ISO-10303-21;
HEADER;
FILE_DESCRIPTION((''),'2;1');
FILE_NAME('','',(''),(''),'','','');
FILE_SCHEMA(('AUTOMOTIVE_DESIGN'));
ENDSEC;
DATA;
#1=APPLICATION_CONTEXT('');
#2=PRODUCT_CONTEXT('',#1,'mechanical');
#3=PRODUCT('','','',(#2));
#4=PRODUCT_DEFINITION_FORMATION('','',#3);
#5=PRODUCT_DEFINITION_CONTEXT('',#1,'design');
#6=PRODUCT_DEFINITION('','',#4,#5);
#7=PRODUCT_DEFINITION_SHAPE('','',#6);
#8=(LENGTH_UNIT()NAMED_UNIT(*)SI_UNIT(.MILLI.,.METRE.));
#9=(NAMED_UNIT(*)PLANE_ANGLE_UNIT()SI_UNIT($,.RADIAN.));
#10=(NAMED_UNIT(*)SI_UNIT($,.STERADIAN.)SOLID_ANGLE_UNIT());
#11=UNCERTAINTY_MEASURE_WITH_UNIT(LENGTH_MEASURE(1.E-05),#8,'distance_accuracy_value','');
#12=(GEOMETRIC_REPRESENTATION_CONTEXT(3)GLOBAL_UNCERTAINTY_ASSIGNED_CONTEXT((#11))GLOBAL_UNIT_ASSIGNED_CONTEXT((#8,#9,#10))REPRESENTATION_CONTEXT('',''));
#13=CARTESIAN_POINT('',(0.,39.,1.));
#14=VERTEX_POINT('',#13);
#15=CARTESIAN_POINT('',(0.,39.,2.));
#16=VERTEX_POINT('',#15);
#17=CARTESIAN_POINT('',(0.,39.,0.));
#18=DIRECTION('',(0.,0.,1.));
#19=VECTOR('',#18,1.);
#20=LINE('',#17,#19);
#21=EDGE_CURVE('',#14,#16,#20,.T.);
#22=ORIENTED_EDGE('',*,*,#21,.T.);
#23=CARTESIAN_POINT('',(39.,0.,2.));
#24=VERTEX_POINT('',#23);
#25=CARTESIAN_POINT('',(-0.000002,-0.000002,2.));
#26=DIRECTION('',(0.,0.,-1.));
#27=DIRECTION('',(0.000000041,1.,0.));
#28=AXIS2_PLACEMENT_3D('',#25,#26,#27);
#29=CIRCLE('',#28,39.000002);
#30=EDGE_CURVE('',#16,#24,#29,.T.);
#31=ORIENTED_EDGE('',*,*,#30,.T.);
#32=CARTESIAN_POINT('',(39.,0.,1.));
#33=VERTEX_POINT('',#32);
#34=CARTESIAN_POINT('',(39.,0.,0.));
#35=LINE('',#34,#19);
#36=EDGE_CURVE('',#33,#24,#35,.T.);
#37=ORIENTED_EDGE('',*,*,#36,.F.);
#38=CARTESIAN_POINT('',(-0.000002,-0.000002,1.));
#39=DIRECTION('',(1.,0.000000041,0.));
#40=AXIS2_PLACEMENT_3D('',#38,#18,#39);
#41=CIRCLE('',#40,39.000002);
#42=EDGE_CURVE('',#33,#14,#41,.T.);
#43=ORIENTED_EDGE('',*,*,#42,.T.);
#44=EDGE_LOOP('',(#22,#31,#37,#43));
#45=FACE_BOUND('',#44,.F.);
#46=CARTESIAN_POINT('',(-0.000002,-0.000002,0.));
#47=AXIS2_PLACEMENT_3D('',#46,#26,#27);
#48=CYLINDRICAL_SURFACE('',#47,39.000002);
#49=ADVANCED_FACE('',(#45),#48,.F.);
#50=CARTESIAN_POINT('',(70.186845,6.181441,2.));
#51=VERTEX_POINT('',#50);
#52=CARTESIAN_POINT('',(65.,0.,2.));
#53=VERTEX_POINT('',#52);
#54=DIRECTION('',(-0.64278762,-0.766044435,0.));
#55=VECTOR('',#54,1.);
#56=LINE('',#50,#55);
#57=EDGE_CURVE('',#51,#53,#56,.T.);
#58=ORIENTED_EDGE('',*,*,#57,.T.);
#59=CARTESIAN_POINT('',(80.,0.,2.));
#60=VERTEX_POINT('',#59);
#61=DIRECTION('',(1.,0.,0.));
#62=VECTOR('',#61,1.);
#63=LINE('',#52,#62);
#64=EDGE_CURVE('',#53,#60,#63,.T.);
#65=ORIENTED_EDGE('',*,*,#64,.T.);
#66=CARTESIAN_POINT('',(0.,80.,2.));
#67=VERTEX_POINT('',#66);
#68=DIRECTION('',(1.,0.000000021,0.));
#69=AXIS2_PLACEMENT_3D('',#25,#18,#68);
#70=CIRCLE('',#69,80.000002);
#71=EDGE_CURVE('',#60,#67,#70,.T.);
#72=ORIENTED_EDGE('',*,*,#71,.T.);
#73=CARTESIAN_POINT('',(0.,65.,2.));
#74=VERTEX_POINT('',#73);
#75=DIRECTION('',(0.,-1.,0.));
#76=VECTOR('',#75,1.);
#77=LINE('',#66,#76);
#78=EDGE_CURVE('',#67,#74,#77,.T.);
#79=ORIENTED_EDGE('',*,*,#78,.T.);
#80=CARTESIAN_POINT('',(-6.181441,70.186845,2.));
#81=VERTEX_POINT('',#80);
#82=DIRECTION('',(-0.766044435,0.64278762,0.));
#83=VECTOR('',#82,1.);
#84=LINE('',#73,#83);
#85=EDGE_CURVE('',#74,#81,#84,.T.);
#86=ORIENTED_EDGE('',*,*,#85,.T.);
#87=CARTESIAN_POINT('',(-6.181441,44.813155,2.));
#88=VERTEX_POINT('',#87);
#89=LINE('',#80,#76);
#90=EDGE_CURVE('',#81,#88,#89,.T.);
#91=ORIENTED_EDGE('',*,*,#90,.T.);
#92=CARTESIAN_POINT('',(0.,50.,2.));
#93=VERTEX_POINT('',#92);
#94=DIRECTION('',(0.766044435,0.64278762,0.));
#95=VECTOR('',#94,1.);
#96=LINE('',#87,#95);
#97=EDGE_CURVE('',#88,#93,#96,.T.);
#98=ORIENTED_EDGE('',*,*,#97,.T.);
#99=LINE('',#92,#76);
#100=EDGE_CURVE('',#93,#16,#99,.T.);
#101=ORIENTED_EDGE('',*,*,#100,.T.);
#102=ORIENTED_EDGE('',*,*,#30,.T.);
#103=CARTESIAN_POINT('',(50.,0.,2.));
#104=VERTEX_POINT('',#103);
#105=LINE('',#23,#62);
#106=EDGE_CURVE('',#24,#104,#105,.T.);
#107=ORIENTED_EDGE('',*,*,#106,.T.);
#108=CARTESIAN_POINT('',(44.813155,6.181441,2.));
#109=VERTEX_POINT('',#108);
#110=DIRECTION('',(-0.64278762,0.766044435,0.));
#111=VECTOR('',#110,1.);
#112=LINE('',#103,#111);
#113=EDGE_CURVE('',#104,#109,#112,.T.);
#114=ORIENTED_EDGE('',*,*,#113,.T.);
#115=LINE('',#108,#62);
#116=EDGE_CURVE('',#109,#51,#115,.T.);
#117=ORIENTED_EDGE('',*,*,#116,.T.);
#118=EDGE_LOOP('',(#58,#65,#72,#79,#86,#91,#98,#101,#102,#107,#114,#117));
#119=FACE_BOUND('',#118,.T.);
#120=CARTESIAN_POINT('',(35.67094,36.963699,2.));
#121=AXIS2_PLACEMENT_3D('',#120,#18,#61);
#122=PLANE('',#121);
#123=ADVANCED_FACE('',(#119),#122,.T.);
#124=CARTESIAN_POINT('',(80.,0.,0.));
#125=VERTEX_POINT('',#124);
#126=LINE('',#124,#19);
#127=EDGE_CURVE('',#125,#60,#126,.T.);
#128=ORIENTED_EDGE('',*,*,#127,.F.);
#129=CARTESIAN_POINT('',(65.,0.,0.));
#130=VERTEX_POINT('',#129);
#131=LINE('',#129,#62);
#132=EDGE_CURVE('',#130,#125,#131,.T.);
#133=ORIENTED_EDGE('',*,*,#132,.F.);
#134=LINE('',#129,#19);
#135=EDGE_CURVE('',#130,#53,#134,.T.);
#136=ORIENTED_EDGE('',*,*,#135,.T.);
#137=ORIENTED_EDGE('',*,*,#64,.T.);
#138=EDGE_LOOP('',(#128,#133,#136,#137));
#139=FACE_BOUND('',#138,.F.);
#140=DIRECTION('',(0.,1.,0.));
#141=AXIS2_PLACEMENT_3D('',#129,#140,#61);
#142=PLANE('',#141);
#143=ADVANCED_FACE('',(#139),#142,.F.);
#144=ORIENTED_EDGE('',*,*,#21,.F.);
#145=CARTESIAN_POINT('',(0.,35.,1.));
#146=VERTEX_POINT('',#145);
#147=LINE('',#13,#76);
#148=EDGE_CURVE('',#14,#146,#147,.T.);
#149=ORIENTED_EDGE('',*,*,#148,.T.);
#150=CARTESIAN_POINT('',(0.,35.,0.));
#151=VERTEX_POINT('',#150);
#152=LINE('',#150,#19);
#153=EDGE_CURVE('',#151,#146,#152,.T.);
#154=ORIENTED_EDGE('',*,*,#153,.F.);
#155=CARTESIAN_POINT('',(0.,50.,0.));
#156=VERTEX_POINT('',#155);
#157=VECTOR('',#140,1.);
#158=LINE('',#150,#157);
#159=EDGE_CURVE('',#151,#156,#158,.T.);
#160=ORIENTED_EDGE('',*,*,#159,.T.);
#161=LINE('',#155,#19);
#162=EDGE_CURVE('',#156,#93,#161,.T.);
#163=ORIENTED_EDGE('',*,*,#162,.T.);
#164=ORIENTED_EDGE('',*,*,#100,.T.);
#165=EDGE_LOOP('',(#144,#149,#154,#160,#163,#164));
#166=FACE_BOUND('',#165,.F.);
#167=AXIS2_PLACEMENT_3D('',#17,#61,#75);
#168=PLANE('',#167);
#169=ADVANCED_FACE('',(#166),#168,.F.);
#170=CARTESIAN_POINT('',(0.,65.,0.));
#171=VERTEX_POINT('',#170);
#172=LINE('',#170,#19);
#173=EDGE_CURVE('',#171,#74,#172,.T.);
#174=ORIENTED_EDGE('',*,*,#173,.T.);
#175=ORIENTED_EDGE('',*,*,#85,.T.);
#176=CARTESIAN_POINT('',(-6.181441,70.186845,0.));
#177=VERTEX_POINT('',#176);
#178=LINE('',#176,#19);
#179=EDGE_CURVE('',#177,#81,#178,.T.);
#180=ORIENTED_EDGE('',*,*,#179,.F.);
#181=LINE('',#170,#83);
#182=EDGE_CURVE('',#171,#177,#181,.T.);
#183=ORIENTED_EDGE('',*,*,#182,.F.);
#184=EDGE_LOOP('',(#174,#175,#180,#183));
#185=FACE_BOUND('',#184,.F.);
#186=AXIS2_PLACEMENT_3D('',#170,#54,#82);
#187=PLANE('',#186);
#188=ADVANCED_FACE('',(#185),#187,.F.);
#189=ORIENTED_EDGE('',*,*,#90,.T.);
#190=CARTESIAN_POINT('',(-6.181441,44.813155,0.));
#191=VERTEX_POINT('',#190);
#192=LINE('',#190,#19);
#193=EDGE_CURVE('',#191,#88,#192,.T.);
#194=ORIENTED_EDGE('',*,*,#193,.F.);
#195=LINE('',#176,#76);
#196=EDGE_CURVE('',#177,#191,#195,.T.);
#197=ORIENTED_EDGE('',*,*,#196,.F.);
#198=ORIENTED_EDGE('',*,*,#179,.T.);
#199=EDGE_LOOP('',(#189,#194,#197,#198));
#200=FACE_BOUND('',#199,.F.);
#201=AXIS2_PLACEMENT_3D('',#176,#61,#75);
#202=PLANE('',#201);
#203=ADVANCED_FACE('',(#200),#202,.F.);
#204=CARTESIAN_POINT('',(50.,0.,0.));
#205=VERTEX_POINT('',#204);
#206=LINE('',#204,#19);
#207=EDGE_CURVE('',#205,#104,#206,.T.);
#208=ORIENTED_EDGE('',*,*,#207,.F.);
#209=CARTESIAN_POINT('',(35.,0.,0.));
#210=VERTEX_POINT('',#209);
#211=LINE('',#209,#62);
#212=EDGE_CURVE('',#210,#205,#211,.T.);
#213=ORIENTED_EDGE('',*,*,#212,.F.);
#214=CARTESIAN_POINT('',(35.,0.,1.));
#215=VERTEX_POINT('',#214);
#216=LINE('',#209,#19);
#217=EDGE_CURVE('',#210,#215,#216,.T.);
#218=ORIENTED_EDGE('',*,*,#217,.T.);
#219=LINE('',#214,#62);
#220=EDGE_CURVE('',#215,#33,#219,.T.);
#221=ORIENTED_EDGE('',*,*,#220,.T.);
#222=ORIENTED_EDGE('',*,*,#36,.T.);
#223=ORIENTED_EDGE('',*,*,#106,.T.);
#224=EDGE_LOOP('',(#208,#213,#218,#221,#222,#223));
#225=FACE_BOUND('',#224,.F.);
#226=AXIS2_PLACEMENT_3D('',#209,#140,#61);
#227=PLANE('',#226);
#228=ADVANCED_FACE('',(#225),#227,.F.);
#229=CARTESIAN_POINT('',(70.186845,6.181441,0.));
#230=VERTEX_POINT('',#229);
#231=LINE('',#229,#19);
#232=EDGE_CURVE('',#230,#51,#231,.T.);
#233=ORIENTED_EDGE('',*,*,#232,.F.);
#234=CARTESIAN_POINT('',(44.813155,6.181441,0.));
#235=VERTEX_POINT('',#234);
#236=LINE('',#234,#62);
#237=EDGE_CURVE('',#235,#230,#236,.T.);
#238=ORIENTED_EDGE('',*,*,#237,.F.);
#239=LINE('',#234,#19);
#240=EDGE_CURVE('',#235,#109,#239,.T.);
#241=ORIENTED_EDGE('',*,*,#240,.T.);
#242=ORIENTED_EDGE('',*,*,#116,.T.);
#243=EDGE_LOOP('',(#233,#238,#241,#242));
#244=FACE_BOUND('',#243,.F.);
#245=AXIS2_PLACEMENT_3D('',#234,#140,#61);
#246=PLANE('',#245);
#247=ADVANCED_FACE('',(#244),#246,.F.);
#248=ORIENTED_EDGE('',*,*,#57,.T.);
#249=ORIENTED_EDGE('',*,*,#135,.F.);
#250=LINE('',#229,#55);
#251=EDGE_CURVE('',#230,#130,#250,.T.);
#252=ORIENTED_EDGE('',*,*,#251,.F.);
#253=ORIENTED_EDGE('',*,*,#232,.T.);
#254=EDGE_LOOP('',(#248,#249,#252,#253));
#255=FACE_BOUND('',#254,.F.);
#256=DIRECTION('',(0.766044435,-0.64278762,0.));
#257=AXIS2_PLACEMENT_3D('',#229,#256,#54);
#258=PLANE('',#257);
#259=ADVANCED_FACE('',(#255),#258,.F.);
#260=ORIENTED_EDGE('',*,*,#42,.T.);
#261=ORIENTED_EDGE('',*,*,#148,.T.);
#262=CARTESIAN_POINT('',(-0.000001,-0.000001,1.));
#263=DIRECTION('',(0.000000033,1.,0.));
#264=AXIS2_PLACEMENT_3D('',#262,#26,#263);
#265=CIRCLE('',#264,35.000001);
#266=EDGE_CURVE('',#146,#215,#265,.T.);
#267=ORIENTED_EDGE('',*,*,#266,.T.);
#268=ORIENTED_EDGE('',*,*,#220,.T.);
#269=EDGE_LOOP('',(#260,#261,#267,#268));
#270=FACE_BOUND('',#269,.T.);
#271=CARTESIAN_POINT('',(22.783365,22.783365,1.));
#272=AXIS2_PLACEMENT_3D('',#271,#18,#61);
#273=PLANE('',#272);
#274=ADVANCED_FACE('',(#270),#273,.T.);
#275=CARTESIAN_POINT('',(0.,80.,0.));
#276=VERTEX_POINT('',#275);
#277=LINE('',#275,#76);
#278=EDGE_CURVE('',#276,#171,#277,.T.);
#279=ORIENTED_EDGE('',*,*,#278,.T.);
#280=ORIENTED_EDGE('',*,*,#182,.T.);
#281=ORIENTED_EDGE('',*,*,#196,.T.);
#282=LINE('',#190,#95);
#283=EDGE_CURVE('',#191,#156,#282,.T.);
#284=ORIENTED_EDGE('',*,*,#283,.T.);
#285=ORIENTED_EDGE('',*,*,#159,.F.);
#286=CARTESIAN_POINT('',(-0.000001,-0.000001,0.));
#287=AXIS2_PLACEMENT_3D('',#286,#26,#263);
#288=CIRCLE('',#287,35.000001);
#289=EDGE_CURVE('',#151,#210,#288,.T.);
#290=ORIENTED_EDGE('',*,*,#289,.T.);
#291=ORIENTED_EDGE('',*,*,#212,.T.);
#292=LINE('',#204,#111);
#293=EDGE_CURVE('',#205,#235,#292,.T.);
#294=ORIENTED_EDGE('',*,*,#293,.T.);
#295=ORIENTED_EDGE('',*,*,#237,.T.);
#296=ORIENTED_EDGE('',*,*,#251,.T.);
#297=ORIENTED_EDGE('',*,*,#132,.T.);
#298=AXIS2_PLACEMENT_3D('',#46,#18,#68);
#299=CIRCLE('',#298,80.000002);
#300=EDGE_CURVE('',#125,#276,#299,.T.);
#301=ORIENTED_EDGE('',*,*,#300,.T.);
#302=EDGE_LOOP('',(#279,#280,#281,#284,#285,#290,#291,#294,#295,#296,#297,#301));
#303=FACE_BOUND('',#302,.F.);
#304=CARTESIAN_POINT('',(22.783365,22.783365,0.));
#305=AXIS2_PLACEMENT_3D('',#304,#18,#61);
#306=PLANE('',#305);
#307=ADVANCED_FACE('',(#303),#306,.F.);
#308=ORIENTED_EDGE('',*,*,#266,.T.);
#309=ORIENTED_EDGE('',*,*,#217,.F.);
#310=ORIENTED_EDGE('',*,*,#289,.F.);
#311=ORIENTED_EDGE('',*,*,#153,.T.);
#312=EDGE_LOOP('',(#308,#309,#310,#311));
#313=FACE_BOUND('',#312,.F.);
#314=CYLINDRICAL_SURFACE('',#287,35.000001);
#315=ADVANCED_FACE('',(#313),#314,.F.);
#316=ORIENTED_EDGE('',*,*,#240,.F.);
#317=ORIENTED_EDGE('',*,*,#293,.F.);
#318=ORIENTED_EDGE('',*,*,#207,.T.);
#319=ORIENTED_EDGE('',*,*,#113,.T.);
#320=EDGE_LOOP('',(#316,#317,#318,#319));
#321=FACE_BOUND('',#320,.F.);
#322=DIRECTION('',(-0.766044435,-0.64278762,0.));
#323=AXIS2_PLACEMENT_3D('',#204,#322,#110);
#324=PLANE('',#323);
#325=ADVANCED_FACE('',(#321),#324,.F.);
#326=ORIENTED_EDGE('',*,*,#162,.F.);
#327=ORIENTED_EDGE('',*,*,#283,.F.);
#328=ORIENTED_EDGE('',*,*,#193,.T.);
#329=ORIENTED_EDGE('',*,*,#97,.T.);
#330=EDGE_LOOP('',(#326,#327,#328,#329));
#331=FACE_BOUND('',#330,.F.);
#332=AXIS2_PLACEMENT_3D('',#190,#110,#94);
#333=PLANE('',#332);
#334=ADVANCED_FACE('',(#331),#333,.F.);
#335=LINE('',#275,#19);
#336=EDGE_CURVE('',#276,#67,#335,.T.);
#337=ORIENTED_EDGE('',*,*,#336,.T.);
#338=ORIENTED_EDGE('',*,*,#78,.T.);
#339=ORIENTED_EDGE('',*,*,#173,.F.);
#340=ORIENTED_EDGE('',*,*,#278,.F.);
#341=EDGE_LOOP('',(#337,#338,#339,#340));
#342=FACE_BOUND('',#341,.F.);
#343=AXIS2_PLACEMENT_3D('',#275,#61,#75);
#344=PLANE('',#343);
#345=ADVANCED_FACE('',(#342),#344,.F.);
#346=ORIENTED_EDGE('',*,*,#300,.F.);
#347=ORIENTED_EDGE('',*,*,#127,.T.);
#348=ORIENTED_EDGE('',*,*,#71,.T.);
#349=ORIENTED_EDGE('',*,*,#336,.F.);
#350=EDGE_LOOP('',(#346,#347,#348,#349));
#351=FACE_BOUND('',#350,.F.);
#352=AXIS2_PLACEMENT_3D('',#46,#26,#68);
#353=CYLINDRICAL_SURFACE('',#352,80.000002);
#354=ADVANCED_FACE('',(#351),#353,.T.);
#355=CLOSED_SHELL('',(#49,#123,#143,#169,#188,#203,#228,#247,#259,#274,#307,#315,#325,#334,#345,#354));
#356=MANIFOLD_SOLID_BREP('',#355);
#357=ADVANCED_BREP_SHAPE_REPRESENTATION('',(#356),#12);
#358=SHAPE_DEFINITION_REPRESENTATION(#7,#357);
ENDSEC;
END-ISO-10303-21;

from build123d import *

# Parameters (mm, degrees)
F1_DEPTH = 2
F2_DEPTH = 1


with BuildPart() as f1:
    # F0 (on Top) → F1 (new body)
    with BuildSketch(Plane.XY):
        with BuildLine():
            Line((65, 0), (80, 0))
            ThreePointArc((80, 0), (56.568542, 56.568542), (0, 80))
            Line((0, 80), (0, 65))
            Line((0, 65), (-6.181441, 70.186845))
            Line((-6.181441, 70.186845), (-6.181441, 44.813155))
            Line((-6.181441, 44.813155), (0, 50))
            Line((0, 50), (0, 39))
            ThreePointArc((0, 39), (27.577164, 27.577164), (39, 0))
            Line((39, 0), (50, 0))
            Line((50, 0), (44.813155, 6.181441))
            Line((44.813155, 6.181441), (70.186845, 6.181441))
            Line((70.186845, 6.181441), (65, 0))
        make_face()
    extrude(amount=F1_DEPTH)

    # F0 (on Top) → F2 (join)
    with BuildSketch(Plane.XY):
        with BuildLine():
            Line((35, 0), (39, 0))
            ThreePointArc((39, 0), (27.577164, 27.577164), (0, 39))
            Line((0, 39), (0, 35))
            ThreePointArc((0, 35), (24.748737, 24.748737), (35, 0))
        make_face()
    extrude(amount=F2_DEPTH)


solid = f1.part
